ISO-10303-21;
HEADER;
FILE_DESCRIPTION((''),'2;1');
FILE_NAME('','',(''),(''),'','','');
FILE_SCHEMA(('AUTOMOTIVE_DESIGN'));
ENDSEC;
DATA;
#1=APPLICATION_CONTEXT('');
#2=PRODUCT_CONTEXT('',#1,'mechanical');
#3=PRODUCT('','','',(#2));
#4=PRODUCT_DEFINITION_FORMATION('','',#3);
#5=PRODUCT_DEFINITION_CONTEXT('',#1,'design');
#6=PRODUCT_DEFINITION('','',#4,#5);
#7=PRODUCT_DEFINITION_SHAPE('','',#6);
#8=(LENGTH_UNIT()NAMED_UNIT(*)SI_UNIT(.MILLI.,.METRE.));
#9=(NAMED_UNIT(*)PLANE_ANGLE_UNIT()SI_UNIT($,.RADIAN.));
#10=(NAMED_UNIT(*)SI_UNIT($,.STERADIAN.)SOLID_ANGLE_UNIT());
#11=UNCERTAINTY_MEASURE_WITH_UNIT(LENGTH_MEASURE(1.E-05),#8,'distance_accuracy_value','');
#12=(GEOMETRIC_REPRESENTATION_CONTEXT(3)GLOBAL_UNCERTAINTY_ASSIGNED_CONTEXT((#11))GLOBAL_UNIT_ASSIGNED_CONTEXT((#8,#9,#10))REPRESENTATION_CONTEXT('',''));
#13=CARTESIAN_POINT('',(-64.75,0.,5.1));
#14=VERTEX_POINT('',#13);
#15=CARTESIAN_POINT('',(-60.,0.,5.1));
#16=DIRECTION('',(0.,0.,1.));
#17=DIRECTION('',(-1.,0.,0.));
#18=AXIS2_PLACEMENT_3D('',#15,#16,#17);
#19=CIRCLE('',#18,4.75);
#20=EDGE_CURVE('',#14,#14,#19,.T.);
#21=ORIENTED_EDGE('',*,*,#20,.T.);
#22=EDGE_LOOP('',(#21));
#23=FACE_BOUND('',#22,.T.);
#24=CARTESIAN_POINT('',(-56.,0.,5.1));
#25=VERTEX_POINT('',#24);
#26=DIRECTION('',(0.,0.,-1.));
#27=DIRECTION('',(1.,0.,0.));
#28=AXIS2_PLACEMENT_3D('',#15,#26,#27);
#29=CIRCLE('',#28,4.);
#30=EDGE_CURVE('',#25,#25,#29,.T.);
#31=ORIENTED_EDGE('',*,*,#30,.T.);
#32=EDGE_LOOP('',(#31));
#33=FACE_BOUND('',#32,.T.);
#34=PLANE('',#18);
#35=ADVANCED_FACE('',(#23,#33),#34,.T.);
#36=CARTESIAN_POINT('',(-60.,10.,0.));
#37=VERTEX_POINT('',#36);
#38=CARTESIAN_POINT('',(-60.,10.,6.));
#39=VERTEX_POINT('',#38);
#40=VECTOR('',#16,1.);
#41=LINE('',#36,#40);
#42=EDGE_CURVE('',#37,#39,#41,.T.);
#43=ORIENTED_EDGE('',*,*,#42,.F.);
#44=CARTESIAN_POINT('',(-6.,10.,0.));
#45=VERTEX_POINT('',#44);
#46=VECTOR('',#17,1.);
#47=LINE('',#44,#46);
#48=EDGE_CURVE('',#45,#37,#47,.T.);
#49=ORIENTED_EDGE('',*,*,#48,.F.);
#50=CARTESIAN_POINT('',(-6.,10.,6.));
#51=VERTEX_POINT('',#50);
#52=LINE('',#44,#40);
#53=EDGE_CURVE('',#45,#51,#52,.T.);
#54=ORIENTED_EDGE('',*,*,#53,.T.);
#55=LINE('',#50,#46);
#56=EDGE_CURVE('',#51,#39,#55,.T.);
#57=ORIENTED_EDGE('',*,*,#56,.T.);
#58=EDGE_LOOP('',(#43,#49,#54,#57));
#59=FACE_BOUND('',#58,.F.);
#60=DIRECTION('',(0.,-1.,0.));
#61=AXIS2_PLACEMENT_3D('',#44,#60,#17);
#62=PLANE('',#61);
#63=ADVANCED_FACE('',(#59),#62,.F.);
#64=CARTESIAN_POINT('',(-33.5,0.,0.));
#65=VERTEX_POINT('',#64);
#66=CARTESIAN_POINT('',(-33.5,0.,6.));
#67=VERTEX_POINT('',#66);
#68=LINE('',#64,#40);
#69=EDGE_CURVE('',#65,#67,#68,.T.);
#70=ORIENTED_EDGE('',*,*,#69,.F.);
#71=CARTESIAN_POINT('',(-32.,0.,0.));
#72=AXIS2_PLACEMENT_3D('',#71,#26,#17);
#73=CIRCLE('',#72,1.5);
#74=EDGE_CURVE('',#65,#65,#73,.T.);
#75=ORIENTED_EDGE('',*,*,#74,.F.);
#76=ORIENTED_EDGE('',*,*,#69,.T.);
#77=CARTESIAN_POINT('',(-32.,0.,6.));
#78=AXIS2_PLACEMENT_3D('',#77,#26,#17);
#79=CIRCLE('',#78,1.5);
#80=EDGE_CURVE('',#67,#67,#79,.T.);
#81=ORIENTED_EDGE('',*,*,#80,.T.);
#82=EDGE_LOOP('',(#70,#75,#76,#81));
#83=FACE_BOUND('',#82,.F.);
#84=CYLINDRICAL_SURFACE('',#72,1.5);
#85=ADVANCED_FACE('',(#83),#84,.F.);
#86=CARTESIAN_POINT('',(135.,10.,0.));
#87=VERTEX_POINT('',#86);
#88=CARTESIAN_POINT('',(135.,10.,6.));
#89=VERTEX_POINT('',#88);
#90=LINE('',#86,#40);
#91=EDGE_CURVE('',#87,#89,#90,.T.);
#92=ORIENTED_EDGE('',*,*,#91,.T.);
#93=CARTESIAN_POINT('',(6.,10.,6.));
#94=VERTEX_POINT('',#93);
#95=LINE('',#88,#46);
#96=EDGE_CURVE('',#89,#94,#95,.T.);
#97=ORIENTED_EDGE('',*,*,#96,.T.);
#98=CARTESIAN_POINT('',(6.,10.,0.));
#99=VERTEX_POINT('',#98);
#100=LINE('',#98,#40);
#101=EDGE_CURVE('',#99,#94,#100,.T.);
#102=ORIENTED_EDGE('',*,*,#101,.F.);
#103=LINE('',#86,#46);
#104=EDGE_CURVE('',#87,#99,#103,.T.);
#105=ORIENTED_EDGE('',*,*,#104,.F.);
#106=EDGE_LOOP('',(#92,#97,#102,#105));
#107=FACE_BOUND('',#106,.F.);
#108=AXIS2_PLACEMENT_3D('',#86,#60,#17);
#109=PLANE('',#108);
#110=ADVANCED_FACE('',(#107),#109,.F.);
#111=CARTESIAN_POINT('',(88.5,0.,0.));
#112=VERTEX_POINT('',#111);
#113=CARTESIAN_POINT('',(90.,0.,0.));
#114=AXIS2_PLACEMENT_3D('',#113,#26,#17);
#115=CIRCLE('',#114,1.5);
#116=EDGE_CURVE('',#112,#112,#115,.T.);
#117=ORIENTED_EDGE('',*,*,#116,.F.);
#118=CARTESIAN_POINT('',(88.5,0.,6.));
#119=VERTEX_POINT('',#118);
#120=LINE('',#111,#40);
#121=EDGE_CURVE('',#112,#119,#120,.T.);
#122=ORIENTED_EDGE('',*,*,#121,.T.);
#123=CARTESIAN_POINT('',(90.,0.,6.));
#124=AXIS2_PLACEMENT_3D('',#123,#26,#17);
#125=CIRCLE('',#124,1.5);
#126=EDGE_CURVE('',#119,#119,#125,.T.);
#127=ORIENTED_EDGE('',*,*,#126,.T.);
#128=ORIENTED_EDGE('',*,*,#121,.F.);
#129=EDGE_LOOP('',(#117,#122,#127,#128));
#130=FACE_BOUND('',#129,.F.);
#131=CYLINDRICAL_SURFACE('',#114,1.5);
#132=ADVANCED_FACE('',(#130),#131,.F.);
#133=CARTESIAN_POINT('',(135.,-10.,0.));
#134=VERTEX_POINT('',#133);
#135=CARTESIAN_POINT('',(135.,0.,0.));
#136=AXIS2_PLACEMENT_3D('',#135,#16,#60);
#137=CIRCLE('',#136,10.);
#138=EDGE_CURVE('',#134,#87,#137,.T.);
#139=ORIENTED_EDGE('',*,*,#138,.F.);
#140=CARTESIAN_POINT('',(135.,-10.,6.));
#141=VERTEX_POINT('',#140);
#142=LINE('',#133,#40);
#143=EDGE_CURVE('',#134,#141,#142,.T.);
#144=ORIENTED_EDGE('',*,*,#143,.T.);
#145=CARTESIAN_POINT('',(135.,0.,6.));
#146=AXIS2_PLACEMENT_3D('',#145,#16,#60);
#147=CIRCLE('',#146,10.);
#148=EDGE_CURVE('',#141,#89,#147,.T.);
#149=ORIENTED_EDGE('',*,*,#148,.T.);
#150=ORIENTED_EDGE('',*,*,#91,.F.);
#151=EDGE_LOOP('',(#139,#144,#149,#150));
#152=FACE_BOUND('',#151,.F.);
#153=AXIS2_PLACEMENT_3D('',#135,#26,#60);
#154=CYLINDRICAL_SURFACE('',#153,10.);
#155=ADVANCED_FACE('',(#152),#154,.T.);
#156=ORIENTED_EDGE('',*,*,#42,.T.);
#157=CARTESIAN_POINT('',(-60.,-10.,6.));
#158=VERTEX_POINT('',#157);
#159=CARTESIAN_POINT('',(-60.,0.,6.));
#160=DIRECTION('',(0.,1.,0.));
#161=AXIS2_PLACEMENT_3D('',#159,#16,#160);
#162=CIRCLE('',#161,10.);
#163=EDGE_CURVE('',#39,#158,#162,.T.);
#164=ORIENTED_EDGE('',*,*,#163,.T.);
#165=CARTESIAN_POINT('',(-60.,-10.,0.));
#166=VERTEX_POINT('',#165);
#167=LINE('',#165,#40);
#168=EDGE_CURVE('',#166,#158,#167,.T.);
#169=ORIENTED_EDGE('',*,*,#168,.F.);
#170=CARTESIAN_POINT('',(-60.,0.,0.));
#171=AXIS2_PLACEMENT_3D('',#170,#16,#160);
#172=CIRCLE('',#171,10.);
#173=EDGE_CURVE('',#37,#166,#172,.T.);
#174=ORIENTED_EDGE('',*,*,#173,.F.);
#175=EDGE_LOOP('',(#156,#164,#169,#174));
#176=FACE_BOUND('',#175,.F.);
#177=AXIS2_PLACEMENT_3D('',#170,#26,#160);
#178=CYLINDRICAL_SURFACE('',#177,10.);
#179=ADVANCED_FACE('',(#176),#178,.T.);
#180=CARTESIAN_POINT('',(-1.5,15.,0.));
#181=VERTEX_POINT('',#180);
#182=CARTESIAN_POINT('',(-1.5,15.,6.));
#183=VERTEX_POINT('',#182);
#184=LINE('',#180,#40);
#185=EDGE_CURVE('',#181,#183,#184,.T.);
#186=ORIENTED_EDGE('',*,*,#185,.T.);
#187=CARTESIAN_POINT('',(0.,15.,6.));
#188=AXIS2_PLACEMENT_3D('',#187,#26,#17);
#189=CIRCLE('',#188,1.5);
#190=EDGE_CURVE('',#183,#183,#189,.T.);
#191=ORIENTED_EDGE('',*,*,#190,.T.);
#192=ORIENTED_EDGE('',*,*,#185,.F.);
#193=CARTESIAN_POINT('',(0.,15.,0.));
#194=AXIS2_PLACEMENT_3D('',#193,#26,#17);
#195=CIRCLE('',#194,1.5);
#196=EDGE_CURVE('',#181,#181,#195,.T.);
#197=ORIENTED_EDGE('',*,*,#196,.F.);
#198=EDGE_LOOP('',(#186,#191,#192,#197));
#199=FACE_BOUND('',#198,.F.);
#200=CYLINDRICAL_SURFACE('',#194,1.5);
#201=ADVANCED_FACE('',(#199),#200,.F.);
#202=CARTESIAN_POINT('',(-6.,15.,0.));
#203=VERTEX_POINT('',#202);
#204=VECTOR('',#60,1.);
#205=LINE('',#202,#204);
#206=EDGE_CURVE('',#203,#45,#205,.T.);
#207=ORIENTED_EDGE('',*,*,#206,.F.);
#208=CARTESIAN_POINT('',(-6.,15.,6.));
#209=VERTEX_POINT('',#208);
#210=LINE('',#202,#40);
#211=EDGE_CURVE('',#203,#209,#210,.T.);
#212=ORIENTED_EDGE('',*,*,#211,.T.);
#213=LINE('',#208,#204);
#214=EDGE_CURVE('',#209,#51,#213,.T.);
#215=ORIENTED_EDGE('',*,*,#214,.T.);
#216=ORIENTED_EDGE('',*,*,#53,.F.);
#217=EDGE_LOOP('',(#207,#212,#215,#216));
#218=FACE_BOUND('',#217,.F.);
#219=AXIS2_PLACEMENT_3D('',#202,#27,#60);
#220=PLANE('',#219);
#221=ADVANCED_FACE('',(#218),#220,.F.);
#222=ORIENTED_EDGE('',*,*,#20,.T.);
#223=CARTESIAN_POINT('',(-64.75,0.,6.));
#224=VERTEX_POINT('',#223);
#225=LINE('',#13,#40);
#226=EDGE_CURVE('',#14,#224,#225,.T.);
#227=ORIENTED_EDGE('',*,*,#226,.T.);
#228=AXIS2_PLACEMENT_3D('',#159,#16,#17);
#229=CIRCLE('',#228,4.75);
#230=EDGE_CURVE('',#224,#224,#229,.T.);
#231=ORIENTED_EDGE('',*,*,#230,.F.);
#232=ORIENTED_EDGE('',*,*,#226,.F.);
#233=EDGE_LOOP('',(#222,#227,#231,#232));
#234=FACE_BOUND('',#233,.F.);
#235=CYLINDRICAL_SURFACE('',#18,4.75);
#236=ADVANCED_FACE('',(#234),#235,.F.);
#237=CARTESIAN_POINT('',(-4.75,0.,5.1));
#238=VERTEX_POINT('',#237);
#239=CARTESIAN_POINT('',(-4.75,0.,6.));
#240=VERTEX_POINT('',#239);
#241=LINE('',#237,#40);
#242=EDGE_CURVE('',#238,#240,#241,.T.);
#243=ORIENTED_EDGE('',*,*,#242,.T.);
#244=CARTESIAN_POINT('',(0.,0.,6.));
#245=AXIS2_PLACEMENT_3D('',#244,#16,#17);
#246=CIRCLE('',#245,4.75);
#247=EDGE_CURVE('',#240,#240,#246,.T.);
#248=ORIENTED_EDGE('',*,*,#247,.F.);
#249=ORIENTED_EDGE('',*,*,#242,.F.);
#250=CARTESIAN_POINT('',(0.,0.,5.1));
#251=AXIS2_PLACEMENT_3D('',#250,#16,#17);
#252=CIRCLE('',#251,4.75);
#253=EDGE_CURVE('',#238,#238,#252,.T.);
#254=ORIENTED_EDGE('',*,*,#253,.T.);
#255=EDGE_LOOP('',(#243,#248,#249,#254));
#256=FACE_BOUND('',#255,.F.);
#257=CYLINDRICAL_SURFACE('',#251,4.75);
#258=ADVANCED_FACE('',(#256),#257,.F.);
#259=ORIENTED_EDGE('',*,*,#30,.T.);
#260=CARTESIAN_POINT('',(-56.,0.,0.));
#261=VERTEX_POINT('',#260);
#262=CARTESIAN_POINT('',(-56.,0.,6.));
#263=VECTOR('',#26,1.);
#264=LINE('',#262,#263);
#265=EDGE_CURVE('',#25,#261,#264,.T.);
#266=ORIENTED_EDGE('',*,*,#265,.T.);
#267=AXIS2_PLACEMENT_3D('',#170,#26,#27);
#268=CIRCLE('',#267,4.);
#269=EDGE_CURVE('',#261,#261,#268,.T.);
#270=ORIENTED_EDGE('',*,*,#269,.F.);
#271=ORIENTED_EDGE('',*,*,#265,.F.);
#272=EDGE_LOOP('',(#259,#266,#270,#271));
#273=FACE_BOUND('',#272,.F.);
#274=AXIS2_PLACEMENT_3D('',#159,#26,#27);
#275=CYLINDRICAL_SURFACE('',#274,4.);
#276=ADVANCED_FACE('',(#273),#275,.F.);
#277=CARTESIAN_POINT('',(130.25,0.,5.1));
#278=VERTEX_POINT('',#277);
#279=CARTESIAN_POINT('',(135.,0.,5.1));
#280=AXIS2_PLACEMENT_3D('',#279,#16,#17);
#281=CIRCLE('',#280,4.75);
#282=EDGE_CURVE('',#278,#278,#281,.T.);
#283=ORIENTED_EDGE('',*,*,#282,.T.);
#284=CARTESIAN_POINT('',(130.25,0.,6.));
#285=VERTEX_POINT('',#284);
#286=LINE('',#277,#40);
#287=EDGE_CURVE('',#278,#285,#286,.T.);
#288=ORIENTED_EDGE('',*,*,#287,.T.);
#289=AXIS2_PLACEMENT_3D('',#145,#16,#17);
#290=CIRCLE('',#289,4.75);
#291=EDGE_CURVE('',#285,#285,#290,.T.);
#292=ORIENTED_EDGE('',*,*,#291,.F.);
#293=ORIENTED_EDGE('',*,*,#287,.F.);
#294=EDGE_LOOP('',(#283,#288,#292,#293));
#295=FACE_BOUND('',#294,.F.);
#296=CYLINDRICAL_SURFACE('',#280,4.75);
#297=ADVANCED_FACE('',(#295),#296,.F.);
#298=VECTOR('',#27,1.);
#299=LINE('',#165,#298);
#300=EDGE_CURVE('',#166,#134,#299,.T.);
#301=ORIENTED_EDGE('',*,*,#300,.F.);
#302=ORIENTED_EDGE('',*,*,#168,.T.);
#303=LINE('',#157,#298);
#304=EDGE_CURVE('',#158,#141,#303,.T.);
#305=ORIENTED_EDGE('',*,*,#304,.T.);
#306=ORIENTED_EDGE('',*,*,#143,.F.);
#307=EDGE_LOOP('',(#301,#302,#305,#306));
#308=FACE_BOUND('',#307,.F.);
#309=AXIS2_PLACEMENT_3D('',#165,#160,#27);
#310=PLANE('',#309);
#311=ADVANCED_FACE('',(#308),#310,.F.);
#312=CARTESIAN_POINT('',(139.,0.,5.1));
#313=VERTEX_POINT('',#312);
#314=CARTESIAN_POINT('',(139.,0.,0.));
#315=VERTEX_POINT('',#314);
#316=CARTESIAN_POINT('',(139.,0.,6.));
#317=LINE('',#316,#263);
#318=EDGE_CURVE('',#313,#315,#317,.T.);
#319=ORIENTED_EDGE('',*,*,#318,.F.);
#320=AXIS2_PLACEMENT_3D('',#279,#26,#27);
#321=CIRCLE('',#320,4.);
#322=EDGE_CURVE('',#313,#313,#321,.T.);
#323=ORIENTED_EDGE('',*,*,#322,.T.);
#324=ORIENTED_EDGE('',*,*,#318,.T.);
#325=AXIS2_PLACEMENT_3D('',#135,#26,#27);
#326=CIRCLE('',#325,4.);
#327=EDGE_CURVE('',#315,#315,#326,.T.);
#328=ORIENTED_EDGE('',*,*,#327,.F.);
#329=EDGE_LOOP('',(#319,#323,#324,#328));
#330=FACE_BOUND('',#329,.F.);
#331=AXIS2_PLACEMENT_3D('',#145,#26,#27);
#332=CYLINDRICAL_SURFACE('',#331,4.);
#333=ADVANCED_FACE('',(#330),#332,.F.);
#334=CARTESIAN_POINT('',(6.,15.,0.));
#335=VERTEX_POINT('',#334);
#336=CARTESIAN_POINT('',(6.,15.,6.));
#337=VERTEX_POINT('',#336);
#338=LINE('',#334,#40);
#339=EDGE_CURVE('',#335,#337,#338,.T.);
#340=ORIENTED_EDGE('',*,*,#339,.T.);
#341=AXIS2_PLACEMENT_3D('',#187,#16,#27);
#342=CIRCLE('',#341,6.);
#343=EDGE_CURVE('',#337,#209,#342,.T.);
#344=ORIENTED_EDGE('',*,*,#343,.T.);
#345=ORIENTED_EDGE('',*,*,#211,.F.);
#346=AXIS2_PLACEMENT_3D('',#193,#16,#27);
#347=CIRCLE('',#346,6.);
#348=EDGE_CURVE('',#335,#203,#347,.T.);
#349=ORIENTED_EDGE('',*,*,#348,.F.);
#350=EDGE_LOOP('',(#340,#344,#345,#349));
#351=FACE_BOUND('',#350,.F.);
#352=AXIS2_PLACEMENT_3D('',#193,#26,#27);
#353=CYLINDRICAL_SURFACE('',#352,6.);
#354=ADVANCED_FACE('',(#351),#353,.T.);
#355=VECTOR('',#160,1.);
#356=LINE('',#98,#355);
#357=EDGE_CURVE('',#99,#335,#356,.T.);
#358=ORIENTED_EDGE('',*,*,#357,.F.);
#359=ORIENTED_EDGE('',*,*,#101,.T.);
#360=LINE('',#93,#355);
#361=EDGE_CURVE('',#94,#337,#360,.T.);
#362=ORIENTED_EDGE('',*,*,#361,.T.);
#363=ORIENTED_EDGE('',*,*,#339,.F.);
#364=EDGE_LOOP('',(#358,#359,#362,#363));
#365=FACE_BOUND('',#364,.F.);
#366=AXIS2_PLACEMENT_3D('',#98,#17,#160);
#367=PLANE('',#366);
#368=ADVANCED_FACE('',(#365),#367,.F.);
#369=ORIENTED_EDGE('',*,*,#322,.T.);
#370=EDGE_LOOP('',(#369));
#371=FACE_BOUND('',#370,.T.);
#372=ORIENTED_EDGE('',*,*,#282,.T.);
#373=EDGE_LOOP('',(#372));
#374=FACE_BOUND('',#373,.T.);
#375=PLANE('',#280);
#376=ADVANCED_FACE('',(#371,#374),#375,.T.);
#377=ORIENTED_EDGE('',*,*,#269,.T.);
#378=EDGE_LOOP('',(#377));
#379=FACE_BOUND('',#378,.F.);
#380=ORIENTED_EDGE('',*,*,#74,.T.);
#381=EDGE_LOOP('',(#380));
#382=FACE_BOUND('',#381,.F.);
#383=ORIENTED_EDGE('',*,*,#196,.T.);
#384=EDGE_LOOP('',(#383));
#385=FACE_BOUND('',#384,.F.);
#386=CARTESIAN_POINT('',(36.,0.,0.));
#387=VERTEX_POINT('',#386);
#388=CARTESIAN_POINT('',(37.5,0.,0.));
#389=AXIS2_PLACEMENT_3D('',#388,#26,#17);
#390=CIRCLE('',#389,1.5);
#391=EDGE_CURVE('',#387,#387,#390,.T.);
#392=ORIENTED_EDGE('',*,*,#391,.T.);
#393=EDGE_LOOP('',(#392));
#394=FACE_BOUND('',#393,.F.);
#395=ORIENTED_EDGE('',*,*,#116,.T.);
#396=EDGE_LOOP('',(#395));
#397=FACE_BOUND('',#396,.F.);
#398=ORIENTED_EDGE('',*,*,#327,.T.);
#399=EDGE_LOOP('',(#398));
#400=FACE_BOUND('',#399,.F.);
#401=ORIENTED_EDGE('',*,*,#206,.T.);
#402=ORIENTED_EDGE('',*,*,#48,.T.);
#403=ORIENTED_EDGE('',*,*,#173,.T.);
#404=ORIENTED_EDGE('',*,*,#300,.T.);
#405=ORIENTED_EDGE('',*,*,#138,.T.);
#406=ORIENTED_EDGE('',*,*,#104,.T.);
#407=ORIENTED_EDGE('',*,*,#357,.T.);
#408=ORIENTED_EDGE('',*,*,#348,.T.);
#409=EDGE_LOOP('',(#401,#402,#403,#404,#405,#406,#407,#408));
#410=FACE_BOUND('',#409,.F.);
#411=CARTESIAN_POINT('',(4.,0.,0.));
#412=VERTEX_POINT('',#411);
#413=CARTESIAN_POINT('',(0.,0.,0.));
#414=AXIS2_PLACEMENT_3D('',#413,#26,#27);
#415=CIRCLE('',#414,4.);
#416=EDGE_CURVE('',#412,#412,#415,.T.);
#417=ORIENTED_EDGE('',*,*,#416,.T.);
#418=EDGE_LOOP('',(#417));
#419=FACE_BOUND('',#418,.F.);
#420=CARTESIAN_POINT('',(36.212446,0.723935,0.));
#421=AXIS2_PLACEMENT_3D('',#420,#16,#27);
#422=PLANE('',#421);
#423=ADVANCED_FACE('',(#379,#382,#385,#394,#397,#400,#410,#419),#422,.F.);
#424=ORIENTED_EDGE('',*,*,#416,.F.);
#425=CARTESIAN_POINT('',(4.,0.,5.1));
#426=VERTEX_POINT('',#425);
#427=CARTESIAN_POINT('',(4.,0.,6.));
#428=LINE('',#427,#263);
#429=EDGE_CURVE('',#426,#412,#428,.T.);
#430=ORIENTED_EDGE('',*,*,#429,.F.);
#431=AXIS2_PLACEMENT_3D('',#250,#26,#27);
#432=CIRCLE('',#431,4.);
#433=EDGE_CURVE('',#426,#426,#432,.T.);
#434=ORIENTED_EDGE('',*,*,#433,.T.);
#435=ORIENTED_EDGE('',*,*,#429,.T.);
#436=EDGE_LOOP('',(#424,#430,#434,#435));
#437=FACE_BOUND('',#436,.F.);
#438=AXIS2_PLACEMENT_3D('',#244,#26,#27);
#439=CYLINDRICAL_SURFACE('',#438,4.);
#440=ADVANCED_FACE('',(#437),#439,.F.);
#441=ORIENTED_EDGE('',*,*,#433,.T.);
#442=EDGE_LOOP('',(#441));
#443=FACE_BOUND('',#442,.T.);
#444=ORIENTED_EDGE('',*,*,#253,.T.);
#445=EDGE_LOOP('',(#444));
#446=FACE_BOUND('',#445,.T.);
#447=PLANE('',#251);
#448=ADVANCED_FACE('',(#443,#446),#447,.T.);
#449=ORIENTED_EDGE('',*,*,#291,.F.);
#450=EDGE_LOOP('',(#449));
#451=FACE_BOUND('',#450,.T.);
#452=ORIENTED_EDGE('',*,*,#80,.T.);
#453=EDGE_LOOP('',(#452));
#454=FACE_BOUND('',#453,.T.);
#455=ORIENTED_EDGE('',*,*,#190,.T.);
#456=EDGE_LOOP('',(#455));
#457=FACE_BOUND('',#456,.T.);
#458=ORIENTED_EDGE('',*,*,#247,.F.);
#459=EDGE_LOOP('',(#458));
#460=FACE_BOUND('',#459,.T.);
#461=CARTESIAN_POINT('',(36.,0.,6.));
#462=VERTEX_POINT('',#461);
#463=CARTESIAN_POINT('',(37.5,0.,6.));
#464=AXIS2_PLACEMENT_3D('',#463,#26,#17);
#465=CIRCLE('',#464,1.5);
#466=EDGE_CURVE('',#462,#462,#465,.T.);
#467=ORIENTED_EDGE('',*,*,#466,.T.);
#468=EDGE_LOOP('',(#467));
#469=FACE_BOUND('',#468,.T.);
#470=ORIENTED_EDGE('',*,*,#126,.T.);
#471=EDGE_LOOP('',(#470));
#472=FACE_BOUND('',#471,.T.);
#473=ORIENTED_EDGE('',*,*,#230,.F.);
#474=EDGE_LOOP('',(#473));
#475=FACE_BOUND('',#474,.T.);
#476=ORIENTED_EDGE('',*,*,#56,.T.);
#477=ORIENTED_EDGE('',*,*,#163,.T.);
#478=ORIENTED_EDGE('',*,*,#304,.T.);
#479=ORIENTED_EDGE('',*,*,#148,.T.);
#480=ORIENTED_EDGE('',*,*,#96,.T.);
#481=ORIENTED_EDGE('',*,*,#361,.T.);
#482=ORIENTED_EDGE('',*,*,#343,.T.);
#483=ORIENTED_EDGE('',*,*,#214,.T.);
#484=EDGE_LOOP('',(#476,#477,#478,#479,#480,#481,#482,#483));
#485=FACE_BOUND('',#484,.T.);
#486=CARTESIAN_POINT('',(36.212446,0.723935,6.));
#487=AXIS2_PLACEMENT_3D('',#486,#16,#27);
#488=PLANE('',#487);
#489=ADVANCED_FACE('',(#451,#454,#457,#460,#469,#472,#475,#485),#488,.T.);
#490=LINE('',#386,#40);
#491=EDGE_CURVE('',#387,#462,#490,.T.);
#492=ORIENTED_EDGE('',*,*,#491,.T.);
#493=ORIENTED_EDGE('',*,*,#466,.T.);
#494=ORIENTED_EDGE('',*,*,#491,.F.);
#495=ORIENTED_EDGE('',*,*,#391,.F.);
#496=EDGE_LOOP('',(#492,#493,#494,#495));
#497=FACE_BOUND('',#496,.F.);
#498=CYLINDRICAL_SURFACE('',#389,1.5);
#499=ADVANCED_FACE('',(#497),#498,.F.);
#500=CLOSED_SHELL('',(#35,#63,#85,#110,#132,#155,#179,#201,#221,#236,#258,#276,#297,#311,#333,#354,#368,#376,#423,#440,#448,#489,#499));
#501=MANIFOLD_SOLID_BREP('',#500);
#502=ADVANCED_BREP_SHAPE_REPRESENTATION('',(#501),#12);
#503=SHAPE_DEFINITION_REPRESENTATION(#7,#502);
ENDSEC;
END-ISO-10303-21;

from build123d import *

# Parameters (mm, degrees)
EXTRUDE_1_DEPTH              = 6
HOLE_WIZARD_M5_1_D           = 8
HOLE_WIZARD_M5_1_CBORE_D     = 9.5
HOLE_WIZARD_M5_1_CBORE_DEPTH = 0.9
SKETCH_7_R                   = 1.5
CUT_EXTRUDE_1_DEPTH          = 1
CUT_EXTRUDE_1_DEPTH_BACK     = 7


with BuildPart() as part:
    # 草图1 → 凸台-拉伸1 (new body)
    with BuildSketch(Plane.XY):
        with BuildLine():
            Line((-60, -10), (135, -10))
            ThreePointArc((135, -10), (145, 0), (135, 10))
            Line((135, 10), (6, 10))
            Line((6, 10), (6, 15))
            ThreePointArc((6, 15), (0, 21), (-6, 15))
            Line((-6, 15), (-6, 10))
            Line((-6, 10), (-60, 10))
            ThreePointArc((-60, 10), (-70, 0), (-60, -10))
        make_face()
    extrude(amount=EXTRUDE_1_DEPTH)

    # M5 六角头螺栓的柱形沉头孔1 (through all)
    with Locations(Plane(origin=(0, 0, 6), x_dir=(-1, 0, 0), z_dir=(0, 0, 1))):
        with Locations((-135, 0), (60, 0), (0, 0)):
            CounterBoreHole(HOLE_WIZARD_M5_1_D / 2, HOLE_WIZARD_M5_1_CBORE_D / 2, HOLE_WIZARD_M5_1_CBORE_DEPTH)

    # 草图7 → 切除-拉伸1 (cut, two sides)
    with BuildSketch(Plane(origin=(0, 0, 0), x_dir=(-1, 0, 0), z_dir=(0, 0, -1))) as cut_extrude_1_sk:
        with Locations((-37.5, 0)):
            Circle(SKETCH_7_R)
        with Locations((-90, 0)):
            Circle(SKETCH_7_R)
        with Locations((32, 0)):
            Circle(SKETCH_7_R)
        with Locations((0, 15)):
            Circle(SKETCH_7_R)
    extrude(amount=CUT_EXTRUDE_1_DEPTH, mode=Mode.SUBTRACT)
    extrude(cut_extrude_1_sk.sketch, amount=-CUT_EXTRUDE_1_DEPTH_BACK, mode=Mode.SUBTRACT)


solid = part.part
